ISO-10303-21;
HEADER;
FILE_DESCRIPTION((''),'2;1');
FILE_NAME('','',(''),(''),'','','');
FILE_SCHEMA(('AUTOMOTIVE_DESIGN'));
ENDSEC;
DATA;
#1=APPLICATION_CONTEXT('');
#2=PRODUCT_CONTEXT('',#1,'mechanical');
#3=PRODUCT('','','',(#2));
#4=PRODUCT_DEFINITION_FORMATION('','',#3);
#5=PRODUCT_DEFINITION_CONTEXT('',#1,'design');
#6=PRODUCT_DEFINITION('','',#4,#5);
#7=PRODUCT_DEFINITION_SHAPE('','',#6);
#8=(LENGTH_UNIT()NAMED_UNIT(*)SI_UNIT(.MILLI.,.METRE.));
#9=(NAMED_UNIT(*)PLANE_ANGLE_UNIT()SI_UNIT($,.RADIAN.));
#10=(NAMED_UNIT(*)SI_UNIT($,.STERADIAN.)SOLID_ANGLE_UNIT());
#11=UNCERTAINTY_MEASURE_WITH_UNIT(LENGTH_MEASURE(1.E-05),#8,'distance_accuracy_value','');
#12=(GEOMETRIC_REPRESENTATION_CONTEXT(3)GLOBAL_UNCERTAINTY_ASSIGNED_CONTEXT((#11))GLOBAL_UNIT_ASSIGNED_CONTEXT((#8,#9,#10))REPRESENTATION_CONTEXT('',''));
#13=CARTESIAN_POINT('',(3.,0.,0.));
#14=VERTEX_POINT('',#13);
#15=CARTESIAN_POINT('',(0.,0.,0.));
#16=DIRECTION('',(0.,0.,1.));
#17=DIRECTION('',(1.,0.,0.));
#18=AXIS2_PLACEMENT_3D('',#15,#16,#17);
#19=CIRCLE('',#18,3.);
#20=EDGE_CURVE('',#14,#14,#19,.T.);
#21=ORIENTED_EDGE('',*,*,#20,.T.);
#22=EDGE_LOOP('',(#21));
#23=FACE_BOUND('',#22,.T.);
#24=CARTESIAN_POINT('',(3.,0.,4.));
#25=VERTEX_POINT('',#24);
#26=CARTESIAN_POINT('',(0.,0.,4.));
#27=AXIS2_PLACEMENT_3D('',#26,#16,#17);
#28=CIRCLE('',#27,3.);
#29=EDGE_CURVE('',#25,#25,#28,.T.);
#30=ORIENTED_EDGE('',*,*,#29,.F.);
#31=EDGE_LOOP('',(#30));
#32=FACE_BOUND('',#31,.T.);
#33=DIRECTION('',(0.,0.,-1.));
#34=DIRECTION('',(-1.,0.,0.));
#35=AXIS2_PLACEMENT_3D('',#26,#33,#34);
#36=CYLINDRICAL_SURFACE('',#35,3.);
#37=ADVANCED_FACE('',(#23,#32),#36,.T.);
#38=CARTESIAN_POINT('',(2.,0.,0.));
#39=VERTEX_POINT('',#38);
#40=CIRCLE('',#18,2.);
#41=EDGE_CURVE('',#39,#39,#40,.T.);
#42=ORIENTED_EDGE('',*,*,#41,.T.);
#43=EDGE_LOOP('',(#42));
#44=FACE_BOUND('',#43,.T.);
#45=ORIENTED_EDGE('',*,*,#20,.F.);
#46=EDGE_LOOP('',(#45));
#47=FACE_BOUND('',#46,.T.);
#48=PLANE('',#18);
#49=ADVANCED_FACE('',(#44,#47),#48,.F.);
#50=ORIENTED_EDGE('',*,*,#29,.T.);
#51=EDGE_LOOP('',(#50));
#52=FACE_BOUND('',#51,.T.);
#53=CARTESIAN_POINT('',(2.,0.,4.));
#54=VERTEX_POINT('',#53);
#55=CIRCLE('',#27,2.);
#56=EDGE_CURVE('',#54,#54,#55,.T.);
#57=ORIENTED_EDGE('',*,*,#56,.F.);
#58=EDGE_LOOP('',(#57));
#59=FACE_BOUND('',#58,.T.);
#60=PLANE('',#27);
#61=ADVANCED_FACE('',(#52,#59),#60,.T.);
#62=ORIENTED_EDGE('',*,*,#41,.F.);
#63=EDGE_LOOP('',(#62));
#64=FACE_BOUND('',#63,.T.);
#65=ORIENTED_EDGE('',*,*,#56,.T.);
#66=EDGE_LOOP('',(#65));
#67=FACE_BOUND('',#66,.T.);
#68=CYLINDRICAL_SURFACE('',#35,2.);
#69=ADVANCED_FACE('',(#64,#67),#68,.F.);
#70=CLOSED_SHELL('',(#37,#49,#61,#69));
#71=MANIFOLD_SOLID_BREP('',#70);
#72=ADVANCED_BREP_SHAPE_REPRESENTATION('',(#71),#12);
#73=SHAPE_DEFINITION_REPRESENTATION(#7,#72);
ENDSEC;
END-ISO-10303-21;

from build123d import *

# Parameters (mm, degrees)
ESQUISSE1_R      = 3
ESQUISSE1_R_2    = 2
EXTRUSION1_DEPTH = 4


with BuildPart() as part:
    # Esquisse1 → Extrusion1 (new body)
    with BuildSketch(Plane.XY):
        Circle(ESQUISSE1_R)
        Circle(ESQUISSE1_R_2, mode=Mode.SUBTRACT)
    extrude(amount=EXTRUSION1_DEPTH)


solid = part.part
